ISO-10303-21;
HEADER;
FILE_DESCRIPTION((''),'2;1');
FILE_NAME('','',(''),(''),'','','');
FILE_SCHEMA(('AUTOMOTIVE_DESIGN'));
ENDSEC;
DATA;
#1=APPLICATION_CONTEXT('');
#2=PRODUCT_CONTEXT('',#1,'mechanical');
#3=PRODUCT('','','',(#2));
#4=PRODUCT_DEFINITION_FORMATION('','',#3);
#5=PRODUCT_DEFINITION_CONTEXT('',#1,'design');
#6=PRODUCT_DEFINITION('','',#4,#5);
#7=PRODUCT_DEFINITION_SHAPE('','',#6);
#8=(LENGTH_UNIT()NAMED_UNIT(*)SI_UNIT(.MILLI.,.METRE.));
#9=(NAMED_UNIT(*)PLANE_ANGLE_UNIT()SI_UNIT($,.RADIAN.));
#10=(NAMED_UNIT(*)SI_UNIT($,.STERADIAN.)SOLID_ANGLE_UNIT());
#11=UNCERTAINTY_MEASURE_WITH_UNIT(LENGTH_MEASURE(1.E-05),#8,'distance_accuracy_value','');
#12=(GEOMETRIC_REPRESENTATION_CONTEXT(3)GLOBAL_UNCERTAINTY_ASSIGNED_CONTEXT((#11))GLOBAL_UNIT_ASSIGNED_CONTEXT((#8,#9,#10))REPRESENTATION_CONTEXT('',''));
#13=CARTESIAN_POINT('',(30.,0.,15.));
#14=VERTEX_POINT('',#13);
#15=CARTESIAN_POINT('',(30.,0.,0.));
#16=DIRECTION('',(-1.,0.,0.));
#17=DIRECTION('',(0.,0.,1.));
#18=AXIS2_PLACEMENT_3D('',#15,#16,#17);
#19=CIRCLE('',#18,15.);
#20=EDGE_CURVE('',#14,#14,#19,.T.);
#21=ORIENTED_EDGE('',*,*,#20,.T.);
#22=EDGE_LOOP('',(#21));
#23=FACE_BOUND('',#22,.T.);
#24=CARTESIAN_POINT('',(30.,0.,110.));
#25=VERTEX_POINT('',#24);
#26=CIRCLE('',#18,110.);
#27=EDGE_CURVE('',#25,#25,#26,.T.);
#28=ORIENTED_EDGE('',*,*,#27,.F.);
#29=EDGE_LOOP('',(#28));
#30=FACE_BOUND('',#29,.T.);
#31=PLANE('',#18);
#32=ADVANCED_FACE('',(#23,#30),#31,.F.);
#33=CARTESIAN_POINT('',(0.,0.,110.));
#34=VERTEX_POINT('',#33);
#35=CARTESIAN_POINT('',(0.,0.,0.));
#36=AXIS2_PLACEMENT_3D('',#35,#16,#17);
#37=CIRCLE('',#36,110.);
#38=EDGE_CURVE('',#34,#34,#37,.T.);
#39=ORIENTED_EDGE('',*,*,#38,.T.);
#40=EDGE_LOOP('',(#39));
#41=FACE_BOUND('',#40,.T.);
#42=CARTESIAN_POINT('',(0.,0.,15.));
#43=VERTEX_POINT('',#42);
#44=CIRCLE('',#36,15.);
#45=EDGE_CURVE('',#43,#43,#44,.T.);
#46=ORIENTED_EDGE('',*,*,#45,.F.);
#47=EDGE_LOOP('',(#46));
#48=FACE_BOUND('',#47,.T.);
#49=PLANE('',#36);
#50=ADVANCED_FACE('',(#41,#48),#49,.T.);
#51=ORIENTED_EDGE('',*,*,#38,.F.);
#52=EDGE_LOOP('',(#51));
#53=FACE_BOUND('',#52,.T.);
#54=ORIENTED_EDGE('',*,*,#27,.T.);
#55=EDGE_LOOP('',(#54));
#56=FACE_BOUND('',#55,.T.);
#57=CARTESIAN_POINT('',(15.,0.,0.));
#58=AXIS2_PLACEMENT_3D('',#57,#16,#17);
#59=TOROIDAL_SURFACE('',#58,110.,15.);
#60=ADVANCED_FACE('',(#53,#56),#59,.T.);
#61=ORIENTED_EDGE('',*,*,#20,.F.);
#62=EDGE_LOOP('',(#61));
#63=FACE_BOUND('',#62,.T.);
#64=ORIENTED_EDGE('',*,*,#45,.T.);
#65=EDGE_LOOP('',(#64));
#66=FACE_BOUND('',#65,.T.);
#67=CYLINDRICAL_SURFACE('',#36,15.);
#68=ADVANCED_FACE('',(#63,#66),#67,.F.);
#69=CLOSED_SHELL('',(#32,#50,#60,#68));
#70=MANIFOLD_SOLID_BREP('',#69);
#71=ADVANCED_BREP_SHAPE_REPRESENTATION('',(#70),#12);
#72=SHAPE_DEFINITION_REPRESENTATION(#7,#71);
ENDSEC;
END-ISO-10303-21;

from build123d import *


with BuildPart() as part:
    # Sketch1 → Revolve1 (revolve)
    with BuildSketch(Plane.XY):
        with BuildLine():
            ThreePointArc((0, 110), (15, 125), (30, 110))
            Line((30, 110), (30, 15))
            Line((30, 15), (0, 15))
            Line((0, 15), (0, 110))
        make_face()
    revolve(axis=Axis((0, 0, 0), (1, 0, 0)))


solid = part.part
